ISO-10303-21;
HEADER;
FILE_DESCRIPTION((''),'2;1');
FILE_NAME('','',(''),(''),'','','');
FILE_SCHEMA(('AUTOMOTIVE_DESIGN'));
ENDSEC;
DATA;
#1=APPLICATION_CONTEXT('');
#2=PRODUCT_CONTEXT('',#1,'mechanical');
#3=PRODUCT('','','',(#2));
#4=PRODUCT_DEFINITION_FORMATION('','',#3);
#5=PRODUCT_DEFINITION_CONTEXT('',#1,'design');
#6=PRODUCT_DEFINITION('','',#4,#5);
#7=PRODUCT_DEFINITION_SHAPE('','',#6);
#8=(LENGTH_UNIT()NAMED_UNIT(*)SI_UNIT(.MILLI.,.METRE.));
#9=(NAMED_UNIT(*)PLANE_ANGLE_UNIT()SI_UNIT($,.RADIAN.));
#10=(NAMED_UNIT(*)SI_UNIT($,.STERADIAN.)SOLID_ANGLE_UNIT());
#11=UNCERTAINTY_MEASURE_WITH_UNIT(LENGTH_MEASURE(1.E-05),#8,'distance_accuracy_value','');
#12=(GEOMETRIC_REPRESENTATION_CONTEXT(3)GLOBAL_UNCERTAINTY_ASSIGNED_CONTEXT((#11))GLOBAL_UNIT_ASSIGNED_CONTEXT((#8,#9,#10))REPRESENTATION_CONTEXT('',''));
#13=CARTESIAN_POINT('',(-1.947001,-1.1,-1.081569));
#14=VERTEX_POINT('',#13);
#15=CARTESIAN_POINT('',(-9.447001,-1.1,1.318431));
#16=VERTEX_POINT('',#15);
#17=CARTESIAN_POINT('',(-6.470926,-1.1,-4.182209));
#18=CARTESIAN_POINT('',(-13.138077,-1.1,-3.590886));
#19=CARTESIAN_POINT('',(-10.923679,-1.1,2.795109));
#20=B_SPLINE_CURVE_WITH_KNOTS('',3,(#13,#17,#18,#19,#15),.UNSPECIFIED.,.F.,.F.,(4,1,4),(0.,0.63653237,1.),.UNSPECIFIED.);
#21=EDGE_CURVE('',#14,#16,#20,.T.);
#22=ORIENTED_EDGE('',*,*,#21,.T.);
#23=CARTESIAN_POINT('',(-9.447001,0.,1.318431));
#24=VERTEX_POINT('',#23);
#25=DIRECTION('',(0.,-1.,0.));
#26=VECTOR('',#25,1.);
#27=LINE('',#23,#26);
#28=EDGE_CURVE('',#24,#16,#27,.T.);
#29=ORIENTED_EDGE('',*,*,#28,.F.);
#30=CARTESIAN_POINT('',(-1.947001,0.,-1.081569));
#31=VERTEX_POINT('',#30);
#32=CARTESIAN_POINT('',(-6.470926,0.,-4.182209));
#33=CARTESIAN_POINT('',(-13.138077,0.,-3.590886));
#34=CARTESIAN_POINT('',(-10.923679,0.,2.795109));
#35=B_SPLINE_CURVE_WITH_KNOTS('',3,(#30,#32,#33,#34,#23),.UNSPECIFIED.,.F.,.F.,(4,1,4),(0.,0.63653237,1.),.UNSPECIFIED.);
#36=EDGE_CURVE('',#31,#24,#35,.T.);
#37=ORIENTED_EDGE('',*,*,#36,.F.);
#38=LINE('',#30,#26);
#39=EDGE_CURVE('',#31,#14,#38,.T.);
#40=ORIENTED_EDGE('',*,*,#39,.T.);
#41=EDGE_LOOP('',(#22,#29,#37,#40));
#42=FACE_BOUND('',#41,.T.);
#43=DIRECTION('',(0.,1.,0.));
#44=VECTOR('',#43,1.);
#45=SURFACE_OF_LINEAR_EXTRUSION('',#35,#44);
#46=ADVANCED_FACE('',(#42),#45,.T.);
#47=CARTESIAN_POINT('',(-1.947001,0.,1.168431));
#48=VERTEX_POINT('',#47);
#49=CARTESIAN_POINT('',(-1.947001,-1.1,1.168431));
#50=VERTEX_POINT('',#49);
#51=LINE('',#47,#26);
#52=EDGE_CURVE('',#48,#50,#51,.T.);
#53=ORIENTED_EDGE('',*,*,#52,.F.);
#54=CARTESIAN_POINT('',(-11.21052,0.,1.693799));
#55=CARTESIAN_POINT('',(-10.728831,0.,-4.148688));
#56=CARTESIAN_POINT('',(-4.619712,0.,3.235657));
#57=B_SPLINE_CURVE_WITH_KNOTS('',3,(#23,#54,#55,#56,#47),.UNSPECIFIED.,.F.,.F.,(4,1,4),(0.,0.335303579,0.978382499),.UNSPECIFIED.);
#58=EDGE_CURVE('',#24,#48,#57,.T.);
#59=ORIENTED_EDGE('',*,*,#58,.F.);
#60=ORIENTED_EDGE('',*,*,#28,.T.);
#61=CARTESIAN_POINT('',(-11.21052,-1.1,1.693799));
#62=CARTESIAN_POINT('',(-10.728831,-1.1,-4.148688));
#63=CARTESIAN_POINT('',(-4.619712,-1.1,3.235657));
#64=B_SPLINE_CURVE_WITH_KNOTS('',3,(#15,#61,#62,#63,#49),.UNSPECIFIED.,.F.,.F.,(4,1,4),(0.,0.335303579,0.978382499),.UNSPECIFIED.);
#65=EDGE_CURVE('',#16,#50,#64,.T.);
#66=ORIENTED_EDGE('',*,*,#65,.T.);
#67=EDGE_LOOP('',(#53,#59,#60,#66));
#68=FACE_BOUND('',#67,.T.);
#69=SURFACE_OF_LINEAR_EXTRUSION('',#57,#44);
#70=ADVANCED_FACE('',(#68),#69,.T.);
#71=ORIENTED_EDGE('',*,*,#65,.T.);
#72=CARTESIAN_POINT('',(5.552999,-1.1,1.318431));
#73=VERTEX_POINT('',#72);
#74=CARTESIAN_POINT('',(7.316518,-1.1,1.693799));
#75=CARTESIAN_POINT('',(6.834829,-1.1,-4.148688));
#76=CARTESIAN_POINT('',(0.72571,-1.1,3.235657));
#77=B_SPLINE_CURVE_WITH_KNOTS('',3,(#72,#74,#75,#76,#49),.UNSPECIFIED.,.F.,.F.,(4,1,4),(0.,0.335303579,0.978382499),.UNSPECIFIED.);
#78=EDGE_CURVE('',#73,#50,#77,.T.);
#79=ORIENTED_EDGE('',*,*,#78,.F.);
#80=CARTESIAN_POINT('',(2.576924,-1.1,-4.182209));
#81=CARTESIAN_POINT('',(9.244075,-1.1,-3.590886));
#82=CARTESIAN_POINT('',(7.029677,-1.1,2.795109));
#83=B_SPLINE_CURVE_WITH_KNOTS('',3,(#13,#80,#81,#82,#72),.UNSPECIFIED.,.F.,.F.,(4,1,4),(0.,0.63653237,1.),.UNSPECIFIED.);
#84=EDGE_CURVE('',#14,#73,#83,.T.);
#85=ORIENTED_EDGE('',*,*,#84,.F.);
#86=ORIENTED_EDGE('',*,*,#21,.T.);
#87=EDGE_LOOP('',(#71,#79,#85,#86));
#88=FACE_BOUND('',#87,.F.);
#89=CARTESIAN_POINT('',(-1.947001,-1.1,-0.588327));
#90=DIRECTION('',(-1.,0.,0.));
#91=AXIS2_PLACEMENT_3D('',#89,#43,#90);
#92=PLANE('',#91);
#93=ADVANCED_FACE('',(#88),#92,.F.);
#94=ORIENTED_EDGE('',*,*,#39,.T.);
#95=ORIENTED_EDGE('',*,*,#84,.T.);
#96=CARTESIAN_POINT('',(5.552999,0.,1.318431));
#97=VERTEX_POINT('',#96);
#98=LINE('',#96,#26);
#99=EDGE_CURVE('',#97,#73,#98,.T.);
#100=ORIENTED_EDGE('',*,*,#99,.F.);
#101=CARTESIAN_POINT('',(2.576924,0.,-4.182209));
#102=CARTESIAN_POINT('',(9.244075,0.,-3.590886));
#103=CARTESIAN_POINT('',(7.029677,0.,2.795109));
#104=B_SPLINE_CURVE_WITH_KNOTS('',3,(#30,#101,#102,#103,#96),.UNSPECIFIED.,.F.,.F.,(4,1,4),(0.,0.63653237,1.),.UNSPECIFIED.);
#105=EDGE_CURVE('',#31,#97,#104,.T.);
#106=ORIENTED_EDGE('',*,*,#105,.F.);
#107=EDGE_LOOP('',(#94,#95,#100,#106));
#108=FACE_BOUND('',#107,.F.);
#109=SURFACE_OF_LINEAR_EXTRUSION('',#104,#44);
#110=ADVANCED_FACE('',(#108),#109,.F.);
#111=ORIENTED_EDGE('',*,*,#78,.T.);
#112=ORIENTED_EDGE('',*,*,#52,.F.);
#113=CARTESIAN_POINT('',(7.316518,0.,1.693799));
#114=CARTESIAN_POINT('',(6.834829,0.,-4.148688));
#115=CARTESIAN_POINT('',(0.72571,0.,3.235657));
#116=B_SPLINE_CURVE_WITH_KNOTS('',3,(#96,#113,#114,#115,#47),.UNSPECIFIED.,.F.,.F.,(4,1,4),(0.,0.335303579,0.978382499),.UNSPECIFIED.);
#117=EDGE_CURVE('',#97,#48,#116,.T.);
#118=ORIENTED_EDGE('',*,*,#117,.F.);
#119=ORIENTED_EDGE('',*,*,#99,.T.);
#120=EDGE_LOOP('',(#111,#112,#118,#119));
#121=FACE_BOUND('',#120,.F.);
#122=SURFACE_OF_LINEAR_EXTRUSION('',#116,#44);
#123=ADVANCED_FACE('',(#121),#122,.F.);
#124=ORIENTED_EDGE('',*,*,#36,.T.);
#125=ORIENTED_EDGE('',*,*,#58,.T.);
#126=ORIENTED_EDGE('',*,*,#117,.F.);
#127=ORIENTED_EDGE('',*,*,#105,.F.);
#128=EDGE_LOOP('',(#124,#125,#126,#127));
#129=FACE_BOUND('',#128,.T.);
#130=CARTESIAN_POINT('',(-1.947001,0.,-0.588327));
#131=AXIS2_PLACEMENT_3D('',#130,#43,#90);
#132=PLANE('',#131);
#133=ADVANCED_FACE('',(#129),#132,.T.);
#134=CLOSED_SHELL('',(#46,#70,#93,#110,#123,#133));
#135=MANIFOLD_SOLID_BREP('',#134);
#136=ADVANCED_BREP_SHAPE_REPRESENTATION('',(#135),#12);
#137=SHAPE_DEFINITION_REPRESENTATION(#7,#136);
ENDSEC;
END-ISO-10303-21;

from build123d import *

# Parameters (mm, degrees)
F1_DEPTH = 1.1


with BuildPart() as f1:
    # F0 (on Front) → F1 (new body)
    with BuildSketch(Plane.XZ):
        with BuildLine():
            add(Edge.make_bspline(
                [(-1.9470010448, -1.081569055), (-6.4709262496, -4.1822086811), (-13.1380772683, -3.5908857996), (-10.9236792472, 2.7951091474), (-9.4470010448, 1.318430945)],
                knots=[0, 0, 0, 0, 0.6365323696, 1, 1, 1, 1], degree=3))
            add(Edge.make_bspline(
                [(-1.9470010448, -1.081569055), (2.5769241601, -4.1822086811), (9.2440751787, -3.5908857996), (7.0296771577, 2.7951091474), (5.5529989552, 1.318430945)],
                knots=[0, 0, 0, 0, 0.6365323696, 1, 1, 1, 1], degree=3))
            add(Edge.make_bspline(
                [(5.5529989552, 1.318430945), (7.3165176765, 1.6937988867), (6.8348292057, -4.1486880253), (0.7257099681, 3.2356573325), (-1.9470010448, 1.168430945)],
                knots=[0, 0, 0, 0, 0.3353035787, 0.9783824987, 0.9783824987, 0.9783824987, 0.9783824987], degree=3))
            add(Edge.make_bspline(
                [(-9.4470010448, 1.318430945), (-11.2105197661, 1.6937988867), (-10.7288312952, -4.1486880253), (-4.6197120576, 3.2356573325), (-1.9470010448, 1.168430945)],
                knots=[0, 0, 0, 0, 0.3353035787, 0.9783824987, 0.9783824987, 0.9783824987, 0.9783824987], degree=3))
        make_face()
    extrude(amount=F1_DEPTH)


solid = f1.part
